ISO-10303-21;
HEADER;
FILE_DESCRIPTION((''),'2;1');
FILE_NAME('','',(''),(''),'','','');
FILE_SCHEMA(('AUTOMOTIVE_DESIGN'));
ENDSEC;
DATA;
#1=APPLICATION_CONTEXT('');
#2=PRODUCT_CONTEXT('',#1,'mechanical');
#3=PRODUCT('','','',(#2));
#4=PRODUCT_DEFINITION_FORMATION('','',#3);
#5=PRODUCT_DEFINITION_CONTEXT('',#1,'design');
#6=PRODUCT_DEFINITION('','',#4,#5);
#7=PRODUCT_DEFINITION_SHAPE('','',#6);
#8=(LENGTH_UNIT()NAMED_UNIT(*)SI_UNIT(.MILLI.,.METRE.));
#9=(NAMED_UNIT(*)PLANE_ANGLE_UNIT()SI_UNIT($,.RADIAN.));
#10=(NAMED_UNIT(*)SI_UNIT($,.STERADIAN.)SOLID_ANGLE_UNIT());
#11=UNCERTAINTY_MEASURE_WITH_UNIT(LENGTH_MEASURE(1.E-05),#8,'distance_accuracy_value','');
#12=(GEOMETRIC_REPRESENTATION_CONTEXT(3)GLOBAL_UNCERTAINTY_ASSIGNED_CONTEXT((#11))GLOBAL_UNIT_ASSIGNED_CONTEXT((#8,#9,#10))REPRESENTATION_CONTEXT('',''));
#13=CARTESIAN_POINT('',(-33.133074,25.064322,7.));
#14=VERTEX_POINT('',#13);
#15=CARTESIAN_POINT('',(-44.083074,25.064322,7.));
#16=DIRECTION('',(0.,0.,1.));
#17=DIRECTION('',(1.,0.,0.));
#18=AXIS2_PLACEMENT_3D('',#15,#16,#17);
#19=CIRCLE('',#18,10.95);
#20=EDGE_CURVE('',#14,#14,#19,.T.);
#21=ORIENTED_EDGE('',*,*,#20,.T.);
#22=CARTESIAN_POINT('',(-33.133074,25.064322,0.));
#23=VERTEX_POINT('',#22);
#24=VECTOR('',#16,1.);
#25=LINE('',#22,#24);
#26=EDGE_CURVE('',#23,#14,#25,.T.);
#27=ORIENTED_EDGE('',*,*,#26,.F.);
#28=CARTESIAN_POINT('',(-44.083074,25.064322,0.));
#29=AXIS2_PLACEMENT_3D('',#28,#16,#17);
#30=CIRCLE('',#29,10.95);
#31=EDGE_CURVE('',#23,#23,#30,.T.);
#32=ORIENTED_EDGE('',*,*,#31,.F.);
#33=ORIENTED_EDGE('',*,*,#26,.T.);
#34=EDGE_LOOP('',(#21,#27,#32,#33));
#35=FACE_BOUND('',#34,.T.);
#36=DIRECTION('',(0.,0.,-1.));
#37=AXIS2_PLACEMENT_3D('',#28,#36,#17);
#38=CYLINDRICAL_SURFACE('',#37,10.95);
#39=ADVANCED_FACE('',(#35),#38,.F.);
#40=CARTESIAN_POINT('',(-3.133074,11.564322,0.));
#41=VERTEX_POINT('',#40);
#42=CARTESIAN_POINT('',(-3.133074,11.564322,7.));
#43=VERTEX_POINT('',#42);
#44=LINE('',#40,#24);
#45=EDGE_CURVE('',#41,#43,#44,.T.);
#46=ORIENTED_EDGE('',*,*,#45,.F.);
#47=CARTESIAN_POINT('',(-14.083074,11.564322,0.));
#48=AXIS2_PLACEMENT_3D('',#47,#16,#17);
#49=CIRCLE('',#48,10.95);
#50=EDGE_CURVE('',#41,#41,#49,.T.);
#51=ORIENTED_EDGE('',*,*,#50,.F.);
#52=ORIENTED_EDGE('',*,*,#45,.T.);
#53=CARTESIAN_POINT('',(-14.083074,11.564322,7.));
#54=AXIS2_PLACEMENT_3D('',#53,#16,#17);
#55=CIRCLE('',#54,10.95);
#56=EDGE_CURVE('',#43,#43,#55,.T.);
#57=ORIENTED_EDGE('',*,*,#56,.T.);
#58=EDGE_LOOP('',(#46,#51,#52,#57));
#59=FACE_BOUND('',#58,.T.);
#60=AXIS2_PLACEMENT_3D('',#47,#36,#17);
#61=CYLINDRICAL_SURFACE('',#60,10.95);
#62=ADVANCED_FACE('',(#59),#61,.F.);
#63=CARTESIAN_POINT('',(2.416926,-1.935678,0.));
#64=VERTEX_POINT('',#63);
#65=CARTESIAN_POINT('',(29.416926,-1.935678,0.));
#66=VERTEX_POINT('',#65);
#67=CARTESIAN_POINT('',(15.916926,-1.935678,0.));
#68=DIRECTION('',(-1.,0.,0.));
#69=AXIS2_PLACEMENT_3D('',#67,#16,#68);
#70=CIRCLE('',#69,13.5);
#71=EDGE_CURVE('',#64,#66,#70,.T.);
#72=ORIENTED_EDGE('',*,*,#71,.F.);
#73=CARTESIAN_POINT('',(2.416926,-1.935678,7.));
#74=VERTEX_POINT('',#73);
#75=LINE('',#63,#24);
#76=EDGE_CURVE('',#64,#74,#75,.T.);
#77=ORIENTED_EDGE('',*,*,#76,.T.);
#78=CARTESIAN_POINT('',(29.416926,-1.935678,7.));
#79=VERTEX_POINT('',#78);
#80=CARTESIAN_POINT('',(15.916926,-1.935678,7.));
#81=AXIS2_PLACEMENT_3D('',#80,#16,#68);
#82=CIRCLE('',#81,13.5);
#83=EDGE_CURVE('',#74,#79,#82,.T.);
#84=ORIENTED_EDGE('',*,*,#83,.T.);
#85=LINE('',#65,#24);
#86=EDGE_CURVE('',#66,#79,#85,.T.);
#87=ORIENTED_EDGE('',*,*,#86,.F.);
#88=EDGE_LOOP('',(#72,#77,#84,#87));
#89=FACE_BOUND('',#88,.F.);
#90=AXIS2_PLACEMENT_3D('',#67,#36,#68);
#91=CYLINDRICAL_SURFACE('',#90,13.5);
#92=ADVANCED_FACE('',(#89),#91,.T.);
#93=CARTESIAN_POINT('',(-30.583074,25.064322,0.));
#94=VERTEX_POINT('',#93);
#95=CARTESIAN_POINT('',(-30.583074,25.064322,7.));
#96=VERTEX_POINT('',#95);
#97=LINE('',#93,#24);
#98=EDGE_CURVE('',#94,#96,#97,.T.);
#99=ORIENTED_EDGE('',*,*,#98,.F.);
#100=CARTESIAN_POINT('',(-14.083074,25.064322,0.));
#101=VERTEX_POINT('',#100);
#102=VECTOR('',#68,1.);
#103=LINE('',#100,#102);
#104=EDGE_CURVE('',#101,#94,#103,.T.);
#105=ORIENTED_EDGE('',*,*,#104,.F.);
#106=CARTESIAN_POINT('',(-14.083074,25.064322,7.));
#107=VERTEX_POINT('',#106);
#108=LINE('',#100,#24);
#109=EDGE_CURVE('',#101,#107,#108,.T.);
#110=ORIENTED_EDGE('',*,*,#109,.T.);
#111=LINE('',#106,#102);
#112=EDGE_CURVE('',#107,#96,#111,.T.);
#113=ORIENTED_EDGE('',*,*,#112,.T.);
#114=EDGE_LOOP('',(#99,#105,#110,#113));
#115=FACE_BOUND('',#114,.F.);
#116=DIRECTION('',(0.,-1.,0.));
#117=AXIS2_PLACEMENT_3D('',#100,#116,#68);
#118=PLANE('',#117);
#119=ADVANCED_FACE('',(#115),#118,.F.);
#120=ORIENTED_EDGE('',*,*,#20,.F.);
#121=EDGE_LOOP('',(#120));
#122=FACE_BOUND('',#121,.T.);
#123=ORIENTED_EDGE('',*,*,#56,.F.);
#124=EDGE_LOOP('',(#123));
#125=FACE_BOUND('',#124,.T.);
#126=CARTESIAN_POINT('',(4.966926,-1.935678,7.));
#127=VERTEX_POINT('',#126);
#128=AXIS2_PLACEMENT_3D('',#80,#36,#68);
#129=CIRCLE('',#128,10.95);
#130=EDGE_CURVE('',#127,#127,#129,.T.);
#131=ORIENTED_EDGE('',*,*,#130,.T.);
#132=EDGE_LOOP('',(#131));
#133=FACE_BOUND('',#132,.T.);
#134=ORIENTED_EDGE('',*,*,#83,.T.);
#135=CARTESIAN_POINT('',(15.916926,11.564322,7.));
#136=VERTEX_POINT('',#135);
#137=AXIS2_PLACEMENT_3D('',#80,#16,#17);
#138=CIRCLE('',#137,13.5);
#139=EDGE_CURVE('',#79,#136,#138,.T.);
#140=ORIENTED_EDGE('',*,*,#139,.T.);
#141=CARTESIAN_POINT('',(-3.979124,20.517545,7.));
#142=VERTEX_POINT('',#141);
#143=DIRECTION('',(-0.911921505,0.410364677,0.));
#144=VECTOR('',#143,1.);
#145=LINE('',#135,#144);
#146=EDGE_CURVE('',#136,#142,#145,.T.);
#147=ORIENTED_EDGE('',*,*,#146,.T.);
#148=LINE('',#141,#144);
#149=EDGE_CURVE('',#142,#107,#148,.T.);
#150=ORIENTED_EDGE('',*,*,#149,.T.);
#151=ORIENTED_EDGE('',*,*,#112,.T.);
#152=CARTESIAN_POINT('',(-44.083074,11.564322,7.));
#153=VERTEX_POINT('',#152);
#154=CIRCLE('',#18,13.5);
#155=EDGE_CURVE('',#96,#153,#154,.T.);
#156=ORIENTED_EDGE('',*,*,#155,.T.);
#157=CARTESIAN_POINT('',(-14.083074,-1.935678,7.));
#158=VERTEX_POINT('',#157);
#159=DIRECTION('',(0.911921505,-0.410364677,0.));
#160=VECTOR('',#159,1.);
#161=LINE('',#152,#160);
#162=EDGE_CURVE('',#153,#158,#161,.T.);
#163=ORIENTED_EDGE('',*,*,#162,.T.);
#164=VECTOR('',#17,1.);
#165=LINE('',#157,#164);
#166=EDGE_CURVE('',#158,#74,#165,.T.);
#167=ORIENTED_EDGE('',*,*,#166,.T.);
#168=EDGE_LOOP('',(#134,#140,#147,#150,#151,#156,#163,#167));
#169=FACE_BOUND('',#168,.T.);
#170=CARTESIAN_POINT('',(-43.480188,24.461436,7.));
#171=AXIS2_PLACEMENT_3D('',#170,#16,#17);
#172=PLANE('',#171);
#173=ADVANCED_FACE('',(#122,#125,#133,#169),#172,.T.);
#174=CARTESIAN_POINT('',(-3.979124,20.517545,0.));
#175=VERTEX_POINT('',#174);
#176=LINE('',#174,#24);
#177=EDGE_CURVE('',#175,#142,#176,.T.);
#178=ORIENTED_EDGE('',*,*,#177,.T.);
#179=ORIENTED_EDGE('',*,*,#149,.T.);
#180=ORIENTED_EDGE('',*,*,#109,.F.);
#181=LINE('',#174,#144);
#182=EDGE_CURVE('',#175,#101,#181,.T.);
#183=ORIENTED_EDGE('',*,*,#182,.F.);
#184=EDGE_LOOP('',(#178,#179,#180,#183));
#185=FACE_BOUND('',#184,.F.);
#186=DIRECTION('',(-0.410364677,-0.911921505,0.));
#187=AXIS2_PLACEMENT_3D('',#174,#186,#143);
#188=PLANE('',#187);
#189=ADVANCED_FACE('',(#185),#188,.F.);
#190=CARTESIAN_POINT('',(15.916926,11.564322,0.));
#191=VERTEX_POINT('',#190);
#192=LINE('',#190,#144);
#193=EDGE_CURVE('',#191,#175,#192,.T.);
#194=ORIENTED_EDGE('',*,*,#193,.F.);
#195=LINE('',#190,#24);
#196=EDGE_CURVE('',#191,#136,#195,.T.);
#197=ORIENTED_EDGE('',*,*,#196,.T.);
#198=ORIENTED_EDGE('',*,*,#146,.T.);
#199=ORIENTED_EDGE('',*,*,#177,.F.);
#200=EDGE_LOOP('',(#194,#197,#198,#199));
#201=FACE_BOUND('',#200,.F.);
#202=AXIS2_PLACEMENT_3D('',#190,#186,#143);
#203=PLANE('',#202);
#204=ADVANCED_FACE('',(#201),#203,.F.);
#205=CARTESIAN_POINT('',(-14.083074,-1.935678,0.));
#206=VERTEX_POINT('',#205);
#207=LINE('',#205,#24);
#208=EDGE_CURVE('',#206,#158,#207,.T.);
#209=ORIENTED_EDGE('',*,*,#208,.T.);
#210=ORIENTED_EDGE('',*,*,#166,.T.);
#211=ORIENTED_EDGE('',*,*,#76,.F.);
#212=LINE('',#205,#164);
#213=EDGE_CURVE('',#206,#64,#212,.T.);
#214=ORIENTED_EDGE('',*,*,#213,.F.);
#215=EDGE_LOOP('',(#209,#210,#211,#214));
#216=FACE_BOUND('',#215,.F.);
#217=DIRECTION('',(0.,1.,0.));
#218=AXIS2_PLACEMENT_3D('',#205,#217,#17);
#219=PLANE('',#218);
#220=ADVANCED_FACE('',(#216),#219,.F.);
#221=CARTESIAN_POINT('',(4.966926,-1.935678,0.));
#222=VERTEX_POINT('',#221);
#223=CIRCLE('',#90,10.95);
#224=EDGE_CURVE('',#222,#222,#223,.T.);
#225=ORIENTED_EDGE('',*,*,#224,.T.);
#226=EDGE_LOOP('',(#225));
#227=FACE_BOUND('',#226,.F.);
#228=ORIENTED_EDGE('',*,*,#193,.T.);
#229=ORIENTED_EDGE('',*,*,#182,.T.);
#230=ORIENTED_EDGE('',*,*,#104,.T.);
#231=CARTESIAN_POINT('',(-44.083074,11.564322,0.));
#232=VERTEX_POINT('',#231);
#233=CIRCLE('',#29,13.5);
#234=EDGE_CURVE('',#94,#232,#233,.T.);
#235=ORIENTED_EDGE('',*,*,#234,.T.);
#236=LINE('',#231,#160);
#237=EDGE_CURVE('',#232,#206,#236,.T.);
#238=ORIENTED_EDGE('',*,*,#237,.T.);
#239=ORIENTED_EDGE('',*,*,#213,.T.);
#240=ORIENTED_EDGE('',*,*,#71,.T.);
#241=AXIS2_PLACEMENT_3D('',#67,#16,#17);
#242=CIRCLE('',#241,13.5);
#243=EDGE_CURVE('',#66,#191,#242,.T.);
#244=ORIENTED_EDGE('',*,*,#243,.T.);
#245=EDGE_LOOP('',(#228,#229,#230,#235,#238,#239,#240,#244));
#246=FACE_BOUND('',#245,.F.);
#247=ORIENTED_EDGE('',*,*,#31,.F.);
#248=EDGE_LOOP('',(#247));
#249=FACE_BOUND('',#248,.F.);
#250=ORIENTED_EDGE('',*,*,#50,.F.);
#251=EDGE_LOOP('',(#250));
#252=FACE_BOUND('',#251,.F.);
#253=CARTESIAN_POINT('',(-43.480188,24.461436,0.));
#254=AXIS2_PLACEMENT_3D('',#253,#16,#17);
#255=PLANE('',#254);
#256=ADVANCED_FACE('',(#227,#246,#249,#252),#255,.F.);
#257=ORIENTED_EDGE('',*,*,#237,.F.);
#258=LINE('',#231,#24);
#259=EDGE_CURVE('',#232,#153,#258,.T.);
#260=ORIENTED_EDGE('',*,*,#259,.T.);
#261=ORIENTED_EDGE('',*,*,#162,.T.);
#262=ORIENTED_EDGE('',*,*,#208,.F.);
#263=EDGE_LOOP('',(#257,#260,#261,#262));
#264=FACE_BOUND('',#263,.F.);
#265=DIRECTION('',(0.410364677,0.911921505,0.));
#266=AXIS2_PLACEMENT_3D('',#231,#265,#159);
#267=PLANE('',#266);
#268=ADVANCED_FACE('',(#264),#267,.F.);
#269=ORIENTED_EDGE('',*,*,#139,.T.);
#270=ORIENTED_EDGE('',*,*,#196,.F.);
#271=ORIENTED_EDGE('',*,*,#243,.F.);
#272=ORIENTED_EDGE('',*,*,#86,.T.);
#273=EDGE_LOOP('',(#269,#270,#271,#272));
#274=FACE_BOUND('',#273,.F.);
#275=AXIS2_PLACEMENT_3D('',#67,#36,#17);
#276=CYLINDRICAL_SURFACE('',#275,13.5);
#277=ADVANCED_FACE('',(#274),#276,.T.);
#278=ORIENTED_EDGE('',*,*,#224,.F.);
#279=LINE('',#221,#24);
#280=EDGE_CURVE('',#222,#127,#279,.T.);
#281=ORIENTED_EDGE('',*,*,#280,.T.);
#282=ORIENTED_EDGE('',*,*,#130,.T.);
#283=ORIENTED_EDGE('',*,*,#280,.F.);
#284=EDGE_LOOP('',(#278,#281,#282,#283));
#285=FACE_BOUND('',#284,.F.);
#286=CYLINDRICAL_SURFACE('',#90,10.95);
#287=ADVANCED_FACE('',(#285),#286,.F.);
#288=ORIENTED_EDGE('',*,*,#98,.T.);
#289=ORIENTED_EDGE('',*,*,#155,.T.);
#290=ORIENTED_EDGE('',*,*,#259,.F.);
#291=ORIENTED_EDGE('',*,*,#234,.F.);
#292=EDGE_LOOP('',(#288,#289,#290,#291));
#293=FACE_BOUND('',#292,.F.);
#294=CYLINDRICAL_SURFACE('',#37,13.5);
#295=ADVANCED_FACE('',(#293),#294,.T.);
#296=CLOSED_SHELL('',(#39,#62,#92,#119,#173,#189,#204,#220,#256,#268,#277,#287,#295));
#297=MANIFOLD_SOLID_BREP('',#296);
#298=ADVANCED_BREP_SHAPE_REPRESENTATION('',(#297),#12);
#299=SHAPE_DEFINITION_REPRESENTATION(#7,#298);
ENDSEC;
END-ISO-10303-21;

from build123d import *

# Parameters (mm, degrees)
F0_R     = 10.95
F1_DEPTH = 7


with BuildPart() as f1:
    # F0 (on Top) → F1 (new body)
    with BuildSketch(Plane.XY):
        with BuildLine():
            ThreePointArc((-30.5830737352, 25.0643221408), (-53.6290152813, 34.6102636868), (-44.0830737352, 11.5643221408))
            ThreePointArc((-44.0830737352, 11.5643221408), (-34.5371321892, 15.5183805948), (-30.5830737352, 25.0643221408))
        make_face()
        with Locations((-44.0830737352, 25.0643221408)):
            Circle(F0_R, mode=Mode.SUBTRACT)
        with BuildLine():
            Line((-44.0830737352, 11.5643221408), (-24.1870238392, 2.6110996876))
            ThreePointArc((-24.1870238392, 2.6110996876), (-26.3940140551, 17.1042452848), (-14.0830737352, 25.0643221408))
            Line((-14.0830737352, 25.0643221408), (-30.5830737352, 25.0643221408))
            ThreePointArc((-30.5830737352, 25.0643221408), (-34.5371321892, 15.5183805948), (-44.0830737352, 11.5643221408))
        make_face()
        with BuildLine():
            Line((-24.1870238392, 2.6110996876), (-14.0830737352, -1.9356778592))
            ThreePointArc((-14.0830737352, -1.9356778592), (-4.5371321892, 2.0183805948), (-0.5830737352, 11.5643221408))
            ThreePointArc((-0.5830737352, 11.5643221408), (-1.4606071299, 16.3521543014), (-3.9791236313, 20.517544594))
            Line((-3.9791236313, 20.517544594), (-14.0830737352, 25.0643221408))
            ThreePointArc((-14.0830737352, 25.0643221408), (-26.3940140551, 17.1042452848), (-24.1870238392, 2.6110996876))
        make_face()
        with Locations((-14.0830737352, 11.5643221408)):
            Circle(F0_R, mode=Mode.SUBTRACT)
        with BuildLine():
            ThreePointArc((-0.5830737352, 11.5643221408), (-4.5371321892, 2.0183805948), (-14.0830737352, -1.9356778592))
            Line((-14.0830737352, -1.9356778592), (2.4169262648, -1.9356778592))
            ThreePointArc((2.4169262648, -1.9356778592), (6.3709847187, 7.6102636868), (15.9169262648, 11.5643221408))
            Line((15.9169262648, 11.5643221408), (-3.9791236313, 20.517544594))
            ThreePointArc((-3.9791236313, 20.517544594), (-1.4606071299, 16.3521543014), (-0.5830737352, 11.5643221408))
        make_face()
        with BuildLine():
            ThreePointArc((15.9169262648, 11.5643221408), (6.3709847187, 7.6102636868), (2.4169262648, -1.9356778592))
            ThreePointArc((2.4169262648, -1.9356778592), (15.9169262648, -15.4356778592), (29.4169262648, -1.9356778592))
            ThreePointArc((29.4169262648, -1.9356778592), (25.4628678108, 7.6102636868), (15.9169262648, 11.5643221408))
        make_face()
        with BuildLine():
            ThreePointArc((26.8669262648, -1.9356778592), (15.9169262648, -12.8856778592), (4.9669262648, -1.9356778592))
            ThreePointArc((4.9669262648, -1.9356778592), (15.9169262648, 9.0143221408), (26.8669262648, -1.9356778592))
        make_face(mode=Mode.SUBTRACT)
    extrude(amount=F1_DEPTH)


solid = f1.part
